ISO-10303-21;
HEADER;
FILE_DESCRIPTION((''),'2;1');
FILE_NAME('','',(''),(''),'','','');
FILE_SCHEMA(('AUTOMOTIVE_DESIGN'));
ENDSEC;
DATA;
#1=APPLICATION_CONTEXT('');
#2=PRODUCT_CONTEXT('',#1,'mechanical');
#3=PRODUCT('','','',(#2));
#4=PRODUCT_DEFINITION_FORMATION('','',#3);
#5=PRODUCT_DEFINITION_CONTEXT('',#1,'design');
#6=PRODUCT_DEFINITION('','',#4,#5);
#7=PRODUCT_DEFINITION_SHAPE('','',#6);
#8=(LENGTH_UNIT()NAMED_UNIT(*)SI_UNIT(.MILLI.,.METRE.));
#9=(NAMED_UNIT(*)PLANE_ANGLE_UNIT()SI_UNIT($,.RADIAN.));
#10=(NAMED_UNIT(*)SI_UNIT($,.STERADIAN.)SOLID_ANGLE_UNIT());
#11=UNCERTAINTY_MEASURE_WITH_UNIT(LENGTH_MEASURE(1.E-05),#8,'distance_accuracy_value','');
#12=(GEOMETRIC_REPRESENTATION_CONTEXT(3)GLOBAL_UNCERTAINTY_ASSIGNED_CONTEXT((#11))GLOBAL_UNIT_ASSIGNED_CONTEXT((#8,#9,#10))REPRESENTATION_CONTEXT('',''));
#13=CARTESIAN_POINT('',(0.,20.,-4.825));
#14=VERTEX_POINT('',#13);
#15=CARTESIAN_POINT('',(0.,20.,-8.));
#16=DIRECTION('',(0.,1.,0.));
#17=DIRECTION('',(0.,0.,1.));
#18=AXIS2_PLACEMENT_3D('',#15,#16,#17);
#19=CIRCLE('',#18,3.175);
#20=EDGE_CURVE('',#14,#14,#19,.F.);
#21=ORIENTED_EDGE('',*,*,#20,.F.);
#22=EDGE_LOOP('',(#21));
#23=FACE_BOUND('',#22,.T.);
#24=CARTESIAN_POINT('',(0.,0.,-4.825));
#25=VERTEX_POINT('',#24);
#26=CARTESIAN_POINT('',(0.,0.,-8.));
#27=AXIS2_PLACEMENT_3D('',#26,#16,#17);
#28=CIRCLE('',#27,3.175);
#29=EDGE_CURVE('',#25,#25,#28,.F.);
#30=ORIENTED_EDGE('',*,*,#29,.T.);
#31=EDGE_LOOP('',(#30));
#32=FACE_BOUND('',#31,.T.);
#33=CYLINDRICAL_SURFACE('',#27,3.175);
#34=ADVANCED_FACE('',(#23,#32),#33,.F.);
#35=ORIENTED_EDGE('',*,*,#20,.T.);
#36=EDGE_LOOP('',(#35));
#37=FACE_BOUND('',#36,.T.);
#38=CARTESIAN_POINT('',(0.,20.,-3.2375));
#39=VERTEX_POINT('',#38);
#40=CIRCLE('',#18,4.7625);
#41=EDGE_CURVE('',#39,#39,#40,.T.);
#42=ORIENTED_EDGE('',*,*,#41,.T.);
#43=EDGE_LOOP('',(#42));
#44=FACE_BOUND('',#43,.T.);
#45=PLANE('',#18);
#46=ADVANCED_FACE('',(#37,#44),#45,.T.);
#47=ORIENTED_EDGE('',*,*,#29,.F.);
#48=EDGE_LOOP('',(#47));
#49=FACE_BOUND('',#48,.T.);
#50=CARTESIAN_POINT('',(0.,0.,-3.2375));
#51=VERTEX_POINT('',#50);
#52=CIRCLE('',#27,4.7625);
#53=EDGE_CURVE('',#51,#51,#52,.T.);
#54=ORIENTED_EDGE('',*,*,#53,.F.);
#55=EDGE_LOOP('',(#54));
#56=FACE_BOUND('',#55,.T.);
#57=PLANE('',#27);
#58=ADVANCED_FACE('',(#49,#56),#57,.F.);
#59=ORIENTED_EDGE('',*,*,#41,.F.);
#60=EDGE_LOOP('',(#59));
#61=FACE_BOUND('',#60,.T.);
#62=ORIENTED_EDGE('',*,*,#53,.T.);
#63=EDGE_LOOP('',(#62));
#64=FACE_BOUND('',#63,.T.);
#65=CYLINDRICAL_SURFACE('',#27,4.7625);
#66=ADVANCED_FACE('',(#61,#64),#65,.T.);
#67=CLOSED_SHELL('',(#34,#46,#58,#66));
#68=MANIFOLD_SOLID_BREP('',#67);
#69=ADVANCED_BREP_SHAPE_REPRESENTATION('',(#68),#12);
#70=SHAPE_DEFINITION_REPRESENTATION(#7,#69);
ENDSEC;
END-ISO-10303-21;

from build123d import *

# Parameters (mm, degrees)
SKETCH2_R   = 4.7625
SKETCH2_R_2 = 3.175


with BuildPart() as part:
    # Sweep2: sweep along a path in Sketch4
    with BuildLine(Plane(origin=(0, 0, 0), x_dir=(0, 0, -1), z_dir=(1, 0, 0))) as sweep2_path:
        Line((8, 0), (8, 20))
    # Sketch2 → Sweep2 (sweep)
    with BuildSketch(Plane(origin=(0, 0, 0), x_dir=(1, 0, 0), z_dir=(0, 1, 0))):
        with Locations((0, 8)):
            Circle(SKETCH2_R)
        with Locations((0, 8)):
            Circle(SKETCH2_R_2, mode=Mode.SUBTRACT)
    sweep(path=sweep2_path.line)


solid = part.part
